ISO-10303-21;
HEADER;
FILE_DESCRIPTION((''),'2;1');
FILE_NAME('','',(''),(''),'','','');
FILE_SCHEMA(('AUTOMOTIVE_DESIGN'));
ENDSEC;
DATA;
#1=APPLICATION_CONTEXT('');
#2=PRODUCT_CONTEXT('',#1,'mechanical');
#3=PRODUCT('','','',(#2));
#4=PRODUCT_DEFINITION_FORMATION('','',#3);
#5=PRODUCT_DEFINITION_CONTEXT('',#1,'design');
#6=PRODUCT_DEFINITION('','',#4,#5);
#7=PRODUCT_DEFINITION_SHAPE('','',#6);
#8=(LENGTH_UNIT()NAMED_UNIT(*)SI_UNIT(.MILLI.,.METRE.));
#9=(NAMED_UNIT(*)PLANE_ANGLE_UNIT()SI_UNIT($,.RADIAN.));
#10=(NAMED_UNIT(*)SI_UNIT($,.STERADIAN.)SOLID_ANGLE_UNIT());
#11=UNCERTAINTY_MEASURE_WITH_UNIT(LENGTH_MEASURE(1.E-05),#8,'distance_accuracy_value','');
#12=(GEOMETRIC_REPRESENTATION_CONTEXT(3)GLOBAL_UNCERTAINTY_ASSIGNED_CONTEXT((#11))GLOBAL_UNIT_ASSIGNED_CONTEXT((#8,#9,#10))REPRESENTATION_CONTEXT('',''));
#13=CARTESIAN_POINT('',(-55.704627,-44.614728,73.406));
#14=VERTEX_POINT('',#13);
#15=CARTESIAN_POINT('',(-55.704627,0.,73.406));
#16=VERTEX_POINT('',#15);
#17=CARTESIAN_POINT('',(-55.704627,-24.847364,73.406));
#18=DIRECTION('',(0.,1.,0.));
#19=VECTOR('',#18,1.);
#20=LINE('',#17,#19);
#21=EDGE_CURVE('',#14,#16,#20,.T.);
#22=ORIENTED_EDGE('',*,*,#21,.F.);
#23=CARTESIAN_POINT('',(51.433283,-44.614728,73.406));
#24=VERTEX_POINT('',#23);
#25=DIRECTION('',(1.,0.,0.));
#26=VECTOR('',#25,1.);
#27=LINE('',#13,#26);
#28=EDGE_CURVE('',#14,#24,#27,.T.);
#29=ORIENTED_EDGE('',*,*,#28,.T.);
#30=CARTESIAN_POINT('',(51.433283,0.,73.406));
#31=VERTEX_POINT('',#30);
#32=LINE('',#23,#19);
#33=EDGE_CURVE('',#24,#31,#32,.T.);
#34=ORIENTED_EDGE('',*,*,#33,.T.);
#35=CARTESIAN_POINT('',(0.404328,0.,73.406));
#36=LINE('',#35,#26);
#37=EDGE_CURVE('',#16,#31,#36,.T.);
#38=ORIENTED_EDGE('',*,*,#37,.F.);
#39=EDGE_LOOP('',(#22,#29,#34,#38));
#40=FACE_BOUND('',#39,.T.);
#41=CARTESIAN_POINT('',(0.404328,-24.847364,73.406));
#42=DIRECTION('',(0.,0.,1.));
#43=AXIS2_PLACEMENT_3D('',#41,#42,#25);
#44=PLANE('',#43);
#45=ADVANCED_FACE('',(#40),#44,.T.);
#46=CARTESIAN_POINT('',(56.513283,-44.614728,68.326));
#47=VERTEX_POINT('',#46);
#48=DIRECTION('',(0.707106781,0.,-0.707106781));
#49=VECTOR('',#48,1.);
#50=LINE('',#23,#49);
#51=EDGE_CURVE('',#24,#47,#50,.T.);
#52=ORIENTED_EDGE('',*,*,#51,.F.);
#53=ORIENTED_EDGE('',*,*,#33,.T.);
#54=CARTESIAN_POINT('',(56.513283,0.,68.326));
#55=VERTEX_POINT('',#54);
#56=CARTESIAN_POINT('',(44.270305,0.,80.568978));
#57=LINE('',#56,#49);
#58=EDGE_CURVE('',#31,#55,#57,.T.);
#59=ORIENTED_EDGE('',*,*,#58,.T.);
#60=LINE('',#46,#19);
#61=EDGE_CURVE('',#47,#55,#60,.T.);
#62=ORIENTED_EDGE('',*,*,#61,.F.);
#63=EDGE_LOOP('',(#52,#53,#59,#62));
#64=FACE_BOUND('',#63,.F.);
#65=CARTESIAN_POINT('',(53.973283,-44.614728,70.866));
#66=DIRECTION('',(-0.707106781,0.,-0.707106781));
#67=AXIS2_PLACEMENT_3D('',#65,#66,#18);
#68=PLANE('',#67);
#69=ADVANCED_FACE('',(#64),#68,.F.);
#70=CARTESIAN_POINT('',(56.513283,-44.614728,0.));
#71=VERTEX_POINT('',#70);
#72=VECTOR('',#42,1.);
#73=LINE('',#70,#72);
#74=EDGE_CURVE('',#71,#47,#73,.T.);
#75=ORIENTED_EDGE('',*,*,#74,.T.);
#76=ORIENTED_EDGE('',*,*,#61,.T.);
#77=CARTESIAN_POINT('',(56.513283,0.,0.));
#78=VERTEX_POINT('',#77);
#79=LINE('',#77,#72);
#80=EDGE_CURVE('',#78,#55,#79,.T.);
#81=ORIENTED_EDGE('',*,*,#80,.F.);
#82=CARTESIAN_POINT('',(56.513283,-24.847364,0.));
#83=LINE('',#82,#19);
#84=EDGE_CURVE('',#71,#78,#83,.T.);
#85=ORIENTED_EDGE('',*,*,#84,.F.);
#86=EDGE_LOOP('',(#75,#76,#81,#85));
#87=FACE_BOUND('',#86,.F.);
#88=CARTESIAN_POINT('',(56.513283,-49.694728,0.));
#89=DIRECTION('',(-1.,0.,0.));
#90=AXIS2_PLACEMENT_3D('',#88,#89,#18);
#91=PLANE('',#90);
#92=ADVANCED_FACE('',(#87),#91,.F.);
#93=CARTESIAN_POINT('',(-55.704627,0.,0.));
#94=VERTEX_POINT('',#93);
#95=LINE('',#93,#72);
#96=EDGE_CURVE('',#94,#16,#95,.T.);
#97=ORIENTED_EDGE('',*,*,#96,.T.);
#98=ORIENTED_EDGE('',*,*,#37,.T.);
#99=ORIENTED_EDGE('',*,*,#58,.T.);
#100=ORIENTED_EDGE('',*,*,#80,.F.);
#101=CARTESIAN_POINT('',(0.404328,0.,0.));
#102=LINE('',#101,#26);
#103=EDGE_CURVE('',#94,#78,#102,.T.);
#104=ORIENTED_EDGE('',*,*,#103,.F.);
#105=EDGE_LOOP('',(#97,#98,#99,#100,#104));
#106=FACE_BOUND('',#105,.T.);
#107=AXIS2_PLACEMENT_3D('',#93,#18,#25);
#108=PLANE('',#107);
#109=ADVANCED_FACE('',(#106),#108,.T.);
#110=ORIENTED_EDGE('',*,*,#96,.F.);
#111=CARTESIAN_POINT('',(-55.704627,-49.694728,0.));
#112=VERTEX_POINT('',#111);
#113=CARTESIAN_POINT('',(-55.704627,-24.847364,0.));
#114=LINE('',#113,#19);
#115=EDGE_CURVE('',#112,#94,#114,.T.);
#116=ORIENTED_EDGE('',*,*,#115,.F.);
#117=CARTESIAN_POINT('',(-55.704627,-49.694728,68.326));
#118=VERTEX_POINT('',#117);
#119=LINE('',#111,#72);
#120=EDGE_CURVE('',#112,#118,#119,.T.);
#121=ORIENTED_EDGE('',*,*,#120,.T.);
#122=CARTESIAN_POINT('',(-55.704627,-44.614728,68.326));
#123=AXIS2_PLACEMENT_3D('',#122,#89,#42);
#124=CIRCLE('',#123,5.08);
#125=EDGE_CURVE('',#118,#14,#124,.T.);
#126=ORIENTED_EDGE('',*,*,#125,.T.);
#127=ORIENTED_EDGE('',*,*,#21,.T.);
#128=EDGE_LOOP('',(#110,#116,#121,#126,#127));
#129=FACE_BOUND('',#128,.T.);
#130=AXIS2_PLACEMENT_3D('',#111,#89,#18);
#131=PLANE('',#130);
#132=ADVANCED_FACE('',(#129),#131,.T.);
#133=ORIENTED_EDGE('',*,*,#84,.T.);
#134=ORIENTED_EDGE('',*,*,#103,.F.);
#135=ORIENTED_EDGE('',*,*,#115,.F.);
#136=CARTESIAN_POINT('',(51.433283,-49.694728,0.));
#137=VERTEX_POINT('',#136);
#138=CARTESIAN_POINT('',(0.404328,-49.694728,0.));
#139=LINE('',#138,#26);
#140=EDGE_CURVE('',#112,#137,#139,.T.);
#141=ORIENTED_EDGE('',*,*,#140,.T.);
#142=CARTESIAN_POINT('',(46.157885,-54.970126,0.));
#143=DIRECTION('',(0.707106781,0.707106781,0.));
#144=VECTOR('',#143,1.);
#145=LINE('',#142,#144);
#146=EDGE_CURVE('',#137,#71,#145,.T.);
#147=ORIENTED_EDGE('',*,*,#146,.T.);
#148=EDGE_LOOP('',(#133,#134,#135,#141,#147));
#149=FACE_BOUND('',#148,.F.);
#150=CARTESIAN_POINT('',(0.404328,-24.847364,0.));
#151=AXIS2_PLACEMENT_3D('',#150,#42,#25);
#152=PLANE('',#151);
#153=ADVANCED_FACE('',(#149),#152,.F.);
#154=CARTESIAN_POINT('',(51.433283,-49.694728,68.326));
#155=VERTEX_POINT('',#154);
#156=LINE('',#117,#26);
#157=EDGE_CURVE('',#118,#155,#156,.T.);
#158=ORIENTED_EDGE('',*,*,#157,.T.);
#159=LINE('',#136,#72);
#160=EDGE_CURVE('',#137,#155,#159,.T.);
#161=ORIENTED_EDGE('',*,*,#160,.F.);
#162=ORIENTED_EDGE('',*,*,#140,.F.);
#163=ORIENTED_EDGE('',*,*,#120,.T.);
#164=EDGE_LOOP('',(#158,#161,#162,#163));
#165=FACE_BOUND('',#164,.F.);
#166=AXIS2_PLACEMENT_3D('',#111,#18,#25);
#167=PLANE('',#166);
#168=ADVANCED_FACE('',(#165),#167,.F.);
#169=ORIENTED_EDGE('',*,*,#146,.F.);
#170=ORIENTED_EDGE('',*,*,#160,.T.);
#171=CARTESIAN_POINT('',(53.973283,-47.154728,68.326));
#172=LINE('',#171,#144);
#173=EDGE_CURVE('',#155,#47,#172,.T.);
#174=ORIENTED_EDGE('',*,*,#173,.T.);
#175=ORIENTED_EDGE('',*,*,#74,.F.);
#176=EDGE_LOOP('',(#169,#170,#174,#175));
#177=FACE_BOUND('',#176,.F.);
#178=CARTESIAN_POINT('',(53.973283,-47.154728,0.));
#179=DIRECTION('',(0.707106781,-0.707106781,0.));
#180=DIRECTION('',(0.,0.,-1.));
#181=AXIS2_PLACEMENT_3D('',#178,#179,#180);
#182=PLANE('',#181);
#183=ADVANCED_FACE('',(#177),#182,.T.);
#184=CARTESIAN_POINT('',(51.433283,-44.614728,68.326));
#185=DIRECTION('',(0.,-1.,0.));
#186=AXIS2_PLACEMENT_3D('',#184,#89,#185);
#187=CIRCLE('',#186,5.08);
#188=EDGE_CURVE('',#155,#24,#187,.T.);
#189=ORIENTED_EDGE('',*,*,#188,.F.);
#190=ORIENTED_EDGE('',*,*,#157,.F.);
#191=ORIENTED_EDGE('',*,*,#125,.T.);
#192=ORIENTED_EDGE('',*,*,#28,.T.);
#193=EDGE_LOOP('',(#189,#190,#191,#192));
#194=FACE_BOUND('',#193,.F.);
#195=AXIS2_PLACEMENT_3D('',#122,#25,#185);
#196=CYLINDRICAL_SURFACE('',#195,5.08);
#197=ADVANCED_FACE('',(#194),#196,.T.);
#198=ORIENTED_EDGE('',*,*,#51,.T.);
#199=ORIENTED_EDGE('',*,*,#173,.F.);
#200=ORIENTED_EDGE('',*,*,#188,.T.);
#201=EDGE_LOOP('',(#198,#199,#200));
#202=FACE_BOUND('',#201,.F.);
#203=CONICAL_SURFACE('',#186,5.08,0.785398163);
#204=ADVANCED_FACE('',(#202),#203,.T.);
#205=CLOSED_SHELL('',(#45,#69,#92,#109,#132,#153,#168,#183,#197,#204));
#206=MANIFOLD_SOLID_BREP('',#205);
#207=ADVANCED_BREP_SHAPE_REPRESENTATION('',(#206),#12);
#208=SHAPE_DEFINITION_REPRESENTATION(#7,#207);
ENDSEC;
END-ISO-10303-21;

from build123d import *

# Parameters (mm, degrees)
F0_W     = 112.21791
F0_H     = 49.694728
F1_DEPTH = 73.406
F2_R     = 5.08
F3_SIZE  = 5.08


with BuildPart() as f1:
    # F0 (on Top) → F1 (new body)
    with BuildSketch(Plane.XY):
        with Locations((0.404328, -24.847364)):
            Rectangle(F0_W, F0_H)
    extrude(amount=F1_DEPTH)

    # F2
    f2_edges = [f1.edges().sort_by_distance(p)[0] for p in [
        (0.404328, -49.694728, 73.406),
    ]]
    fillet(f2_edges, radius=F2_R)

    # F3
    f3_edges = [f1.edges().sort_by_distance(p)[0] for p in [
        (56.513283, -22.307364, 73.406),
    ]]
    chamfer(f3_edges, length=F3_SIZE)


solid = f1.part
